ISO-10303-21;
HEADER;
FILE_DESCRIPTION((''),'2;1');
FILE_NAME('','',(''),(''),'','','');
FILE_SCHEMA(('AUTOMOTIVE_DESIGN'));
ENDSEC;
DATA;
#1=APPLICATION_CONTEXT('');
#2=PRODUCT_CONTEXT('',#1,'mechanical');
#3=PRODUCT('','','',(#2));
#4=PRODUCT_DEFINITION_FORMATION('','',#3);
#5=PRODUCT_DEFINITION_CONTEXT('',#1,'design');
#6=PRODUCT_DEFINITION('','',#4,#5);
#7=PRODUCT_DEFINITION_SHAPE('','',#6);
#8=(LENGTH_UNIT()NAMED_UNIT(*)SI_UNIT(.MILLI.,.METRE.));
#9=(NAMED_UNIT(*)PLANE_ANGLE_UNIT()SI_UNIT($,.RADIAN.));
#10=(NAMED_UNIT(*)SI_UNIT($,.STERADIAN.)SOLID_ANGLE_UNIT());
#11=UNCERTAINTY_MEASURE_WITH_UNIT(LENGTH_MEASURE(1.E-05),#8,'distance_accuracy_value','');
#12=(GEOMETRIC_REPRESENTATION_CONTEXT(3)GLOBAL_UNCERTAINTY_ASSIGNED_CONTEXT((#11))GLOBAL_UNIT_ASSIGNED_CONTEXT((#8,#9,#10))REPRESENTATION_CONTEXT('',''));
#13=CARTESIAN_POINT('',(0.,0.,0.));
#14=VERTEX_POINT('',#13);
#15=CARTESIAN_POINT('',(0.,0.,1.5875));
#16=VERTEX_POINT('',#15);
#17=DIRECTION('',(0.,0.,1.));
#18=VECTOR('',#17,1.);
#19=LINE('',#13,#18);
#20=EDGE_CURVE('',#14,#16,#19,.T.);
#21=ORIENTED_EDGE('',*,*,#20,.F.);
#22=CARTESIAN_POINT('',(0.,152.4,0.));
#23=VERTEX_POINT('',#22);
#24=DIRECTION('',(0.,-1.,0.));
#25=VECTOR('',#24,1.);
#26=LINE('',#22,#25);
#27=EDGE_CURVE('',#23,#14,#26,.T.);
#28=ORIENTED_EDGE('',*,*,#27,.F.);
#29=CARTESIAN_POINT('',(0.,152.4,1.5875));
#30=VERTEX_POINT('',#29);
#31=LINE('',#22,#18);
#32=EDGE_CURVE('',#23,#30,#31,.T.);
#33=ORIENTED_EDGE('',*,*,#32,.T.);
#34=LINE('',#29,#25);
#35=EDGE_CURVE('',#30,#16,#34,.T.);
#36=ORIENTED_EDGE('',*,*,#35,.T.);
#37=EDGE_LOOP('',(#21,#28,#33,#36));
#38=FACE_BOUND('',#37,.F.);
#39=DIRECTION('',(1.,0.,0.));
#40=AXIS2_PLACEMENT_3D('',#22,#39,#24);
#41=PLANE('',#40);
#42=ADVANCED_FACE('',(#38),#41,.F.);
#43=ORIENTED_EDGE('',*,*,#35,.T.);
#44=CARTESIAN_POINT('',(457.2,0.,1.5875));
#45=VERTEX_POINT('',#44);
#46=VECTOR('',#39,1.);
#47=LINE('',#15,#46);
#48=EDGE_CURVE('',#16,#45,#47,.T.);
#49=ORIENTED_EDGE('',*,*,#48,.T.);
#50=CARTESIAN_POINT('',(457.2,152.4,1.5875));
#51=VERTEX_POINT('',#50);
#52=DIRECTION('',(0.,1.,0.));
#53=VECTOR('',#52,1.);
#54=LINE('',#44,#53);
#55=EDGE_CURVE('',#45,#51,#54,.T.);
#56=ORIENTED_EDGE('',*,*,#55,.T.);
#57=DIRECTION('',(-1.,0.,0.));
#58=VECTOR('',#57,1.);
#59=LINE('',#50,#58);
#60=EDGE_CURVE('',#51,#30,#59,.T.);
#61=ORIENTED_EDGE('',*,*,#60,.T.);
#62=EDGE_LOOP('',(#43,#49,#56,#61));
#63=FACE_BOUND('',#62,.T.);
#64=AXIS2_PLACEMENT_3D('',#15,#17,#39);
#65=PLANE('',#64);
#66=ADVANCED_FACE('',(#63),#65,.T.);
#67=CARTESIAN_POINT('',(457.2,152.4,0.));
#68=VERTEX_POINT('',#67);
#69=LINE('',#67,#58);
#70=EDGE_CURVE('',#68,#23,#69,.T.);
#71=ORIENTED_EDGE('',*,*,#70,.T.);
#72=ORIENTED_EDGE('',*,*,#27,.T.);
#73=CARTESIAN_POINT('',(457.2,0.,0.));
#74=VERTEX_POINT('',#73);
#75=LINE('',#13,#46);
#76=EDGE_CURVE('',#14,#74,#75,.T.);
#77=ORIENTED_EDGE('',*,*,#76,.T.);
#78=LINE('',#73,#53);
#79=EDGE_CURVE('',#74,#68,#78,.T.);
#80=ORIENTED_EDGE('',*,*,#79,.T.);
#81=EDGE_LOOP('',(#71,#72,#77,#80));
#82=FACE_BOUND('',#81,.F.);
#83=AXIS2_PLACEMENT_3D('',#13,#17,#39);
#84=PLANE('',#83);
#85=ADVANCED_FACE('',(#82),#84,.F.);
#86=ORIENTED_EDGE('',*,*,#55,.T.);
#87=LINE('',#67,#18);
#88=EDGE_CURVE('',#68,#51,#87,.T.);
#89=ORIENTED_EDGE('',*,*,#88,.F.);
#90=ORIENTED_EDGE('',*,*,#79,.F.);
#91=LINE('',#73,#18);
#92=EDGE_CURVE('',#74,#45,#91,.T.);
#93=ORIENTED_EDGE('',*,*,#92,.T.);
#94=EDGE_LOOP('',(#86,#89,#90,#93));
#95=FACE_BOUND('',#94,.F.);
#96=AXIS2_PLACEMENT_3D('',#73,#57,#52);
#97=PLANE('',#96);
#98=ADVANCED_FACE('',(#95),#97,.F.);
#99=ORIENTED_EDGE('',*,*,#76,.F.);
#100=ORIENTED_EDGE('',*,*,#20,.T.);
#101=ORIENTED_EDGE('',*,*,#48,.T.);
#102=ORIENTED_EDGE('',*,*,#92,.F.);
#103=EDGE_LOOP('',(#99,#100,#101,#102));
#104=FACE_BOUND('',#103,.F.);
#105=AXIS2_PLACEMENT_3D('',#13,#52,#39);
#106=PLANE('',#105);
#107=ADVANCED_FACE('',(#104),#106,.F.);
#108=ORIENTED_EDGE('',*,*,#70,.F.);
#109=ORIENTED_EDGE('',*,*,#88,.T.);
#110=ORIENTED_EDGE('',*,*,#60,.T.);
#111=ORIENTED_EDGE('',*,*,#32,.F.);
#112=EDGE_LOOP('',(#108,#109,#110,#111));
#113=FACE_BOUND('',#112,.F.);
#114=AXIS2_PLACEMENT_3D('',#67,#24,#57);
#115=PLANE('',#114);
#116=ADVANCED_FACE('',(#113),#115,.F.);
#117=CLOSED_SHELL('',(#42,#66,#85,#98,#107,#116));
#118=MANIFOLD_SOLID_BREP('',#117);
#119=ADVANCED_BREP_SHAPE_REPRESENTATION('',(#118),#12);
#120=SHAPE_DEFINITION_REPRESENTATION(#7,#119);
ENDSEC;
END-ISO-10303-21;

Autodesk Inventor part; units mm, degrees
ref_plane "YZ Plane" through (0, 0, 0) normal (1, 0, 0) x (0, 1, 0)
ref_plane "XZ Plane" through (0, 0, 0) normal (0, 1, 0) x (-1, 0, 0)
ref_plane "XY Plane" through (0, 0, 0) normal (0, 0, 1) x (1, 0, 0)
sketch "Sketch1" plane through (0, 0, 0) normal (0, 0, 1) x (1, 0, 0)
  line L0 (0, 0) -> (457.2, 0)
  line L1 (457.2, 0) -> (457.2, 152.4)
  line L2 (457.2, 152.4) -> (0, 152.4)
  line L3 (0, 152.4) -> (0, 0)
  dimension "d0" = 457.2
  dimension "d1" = 152.4
extrude "Extrusion1" add sketch "Sketch1" along normal blind 1.5875
properties part number "plan x size check"
